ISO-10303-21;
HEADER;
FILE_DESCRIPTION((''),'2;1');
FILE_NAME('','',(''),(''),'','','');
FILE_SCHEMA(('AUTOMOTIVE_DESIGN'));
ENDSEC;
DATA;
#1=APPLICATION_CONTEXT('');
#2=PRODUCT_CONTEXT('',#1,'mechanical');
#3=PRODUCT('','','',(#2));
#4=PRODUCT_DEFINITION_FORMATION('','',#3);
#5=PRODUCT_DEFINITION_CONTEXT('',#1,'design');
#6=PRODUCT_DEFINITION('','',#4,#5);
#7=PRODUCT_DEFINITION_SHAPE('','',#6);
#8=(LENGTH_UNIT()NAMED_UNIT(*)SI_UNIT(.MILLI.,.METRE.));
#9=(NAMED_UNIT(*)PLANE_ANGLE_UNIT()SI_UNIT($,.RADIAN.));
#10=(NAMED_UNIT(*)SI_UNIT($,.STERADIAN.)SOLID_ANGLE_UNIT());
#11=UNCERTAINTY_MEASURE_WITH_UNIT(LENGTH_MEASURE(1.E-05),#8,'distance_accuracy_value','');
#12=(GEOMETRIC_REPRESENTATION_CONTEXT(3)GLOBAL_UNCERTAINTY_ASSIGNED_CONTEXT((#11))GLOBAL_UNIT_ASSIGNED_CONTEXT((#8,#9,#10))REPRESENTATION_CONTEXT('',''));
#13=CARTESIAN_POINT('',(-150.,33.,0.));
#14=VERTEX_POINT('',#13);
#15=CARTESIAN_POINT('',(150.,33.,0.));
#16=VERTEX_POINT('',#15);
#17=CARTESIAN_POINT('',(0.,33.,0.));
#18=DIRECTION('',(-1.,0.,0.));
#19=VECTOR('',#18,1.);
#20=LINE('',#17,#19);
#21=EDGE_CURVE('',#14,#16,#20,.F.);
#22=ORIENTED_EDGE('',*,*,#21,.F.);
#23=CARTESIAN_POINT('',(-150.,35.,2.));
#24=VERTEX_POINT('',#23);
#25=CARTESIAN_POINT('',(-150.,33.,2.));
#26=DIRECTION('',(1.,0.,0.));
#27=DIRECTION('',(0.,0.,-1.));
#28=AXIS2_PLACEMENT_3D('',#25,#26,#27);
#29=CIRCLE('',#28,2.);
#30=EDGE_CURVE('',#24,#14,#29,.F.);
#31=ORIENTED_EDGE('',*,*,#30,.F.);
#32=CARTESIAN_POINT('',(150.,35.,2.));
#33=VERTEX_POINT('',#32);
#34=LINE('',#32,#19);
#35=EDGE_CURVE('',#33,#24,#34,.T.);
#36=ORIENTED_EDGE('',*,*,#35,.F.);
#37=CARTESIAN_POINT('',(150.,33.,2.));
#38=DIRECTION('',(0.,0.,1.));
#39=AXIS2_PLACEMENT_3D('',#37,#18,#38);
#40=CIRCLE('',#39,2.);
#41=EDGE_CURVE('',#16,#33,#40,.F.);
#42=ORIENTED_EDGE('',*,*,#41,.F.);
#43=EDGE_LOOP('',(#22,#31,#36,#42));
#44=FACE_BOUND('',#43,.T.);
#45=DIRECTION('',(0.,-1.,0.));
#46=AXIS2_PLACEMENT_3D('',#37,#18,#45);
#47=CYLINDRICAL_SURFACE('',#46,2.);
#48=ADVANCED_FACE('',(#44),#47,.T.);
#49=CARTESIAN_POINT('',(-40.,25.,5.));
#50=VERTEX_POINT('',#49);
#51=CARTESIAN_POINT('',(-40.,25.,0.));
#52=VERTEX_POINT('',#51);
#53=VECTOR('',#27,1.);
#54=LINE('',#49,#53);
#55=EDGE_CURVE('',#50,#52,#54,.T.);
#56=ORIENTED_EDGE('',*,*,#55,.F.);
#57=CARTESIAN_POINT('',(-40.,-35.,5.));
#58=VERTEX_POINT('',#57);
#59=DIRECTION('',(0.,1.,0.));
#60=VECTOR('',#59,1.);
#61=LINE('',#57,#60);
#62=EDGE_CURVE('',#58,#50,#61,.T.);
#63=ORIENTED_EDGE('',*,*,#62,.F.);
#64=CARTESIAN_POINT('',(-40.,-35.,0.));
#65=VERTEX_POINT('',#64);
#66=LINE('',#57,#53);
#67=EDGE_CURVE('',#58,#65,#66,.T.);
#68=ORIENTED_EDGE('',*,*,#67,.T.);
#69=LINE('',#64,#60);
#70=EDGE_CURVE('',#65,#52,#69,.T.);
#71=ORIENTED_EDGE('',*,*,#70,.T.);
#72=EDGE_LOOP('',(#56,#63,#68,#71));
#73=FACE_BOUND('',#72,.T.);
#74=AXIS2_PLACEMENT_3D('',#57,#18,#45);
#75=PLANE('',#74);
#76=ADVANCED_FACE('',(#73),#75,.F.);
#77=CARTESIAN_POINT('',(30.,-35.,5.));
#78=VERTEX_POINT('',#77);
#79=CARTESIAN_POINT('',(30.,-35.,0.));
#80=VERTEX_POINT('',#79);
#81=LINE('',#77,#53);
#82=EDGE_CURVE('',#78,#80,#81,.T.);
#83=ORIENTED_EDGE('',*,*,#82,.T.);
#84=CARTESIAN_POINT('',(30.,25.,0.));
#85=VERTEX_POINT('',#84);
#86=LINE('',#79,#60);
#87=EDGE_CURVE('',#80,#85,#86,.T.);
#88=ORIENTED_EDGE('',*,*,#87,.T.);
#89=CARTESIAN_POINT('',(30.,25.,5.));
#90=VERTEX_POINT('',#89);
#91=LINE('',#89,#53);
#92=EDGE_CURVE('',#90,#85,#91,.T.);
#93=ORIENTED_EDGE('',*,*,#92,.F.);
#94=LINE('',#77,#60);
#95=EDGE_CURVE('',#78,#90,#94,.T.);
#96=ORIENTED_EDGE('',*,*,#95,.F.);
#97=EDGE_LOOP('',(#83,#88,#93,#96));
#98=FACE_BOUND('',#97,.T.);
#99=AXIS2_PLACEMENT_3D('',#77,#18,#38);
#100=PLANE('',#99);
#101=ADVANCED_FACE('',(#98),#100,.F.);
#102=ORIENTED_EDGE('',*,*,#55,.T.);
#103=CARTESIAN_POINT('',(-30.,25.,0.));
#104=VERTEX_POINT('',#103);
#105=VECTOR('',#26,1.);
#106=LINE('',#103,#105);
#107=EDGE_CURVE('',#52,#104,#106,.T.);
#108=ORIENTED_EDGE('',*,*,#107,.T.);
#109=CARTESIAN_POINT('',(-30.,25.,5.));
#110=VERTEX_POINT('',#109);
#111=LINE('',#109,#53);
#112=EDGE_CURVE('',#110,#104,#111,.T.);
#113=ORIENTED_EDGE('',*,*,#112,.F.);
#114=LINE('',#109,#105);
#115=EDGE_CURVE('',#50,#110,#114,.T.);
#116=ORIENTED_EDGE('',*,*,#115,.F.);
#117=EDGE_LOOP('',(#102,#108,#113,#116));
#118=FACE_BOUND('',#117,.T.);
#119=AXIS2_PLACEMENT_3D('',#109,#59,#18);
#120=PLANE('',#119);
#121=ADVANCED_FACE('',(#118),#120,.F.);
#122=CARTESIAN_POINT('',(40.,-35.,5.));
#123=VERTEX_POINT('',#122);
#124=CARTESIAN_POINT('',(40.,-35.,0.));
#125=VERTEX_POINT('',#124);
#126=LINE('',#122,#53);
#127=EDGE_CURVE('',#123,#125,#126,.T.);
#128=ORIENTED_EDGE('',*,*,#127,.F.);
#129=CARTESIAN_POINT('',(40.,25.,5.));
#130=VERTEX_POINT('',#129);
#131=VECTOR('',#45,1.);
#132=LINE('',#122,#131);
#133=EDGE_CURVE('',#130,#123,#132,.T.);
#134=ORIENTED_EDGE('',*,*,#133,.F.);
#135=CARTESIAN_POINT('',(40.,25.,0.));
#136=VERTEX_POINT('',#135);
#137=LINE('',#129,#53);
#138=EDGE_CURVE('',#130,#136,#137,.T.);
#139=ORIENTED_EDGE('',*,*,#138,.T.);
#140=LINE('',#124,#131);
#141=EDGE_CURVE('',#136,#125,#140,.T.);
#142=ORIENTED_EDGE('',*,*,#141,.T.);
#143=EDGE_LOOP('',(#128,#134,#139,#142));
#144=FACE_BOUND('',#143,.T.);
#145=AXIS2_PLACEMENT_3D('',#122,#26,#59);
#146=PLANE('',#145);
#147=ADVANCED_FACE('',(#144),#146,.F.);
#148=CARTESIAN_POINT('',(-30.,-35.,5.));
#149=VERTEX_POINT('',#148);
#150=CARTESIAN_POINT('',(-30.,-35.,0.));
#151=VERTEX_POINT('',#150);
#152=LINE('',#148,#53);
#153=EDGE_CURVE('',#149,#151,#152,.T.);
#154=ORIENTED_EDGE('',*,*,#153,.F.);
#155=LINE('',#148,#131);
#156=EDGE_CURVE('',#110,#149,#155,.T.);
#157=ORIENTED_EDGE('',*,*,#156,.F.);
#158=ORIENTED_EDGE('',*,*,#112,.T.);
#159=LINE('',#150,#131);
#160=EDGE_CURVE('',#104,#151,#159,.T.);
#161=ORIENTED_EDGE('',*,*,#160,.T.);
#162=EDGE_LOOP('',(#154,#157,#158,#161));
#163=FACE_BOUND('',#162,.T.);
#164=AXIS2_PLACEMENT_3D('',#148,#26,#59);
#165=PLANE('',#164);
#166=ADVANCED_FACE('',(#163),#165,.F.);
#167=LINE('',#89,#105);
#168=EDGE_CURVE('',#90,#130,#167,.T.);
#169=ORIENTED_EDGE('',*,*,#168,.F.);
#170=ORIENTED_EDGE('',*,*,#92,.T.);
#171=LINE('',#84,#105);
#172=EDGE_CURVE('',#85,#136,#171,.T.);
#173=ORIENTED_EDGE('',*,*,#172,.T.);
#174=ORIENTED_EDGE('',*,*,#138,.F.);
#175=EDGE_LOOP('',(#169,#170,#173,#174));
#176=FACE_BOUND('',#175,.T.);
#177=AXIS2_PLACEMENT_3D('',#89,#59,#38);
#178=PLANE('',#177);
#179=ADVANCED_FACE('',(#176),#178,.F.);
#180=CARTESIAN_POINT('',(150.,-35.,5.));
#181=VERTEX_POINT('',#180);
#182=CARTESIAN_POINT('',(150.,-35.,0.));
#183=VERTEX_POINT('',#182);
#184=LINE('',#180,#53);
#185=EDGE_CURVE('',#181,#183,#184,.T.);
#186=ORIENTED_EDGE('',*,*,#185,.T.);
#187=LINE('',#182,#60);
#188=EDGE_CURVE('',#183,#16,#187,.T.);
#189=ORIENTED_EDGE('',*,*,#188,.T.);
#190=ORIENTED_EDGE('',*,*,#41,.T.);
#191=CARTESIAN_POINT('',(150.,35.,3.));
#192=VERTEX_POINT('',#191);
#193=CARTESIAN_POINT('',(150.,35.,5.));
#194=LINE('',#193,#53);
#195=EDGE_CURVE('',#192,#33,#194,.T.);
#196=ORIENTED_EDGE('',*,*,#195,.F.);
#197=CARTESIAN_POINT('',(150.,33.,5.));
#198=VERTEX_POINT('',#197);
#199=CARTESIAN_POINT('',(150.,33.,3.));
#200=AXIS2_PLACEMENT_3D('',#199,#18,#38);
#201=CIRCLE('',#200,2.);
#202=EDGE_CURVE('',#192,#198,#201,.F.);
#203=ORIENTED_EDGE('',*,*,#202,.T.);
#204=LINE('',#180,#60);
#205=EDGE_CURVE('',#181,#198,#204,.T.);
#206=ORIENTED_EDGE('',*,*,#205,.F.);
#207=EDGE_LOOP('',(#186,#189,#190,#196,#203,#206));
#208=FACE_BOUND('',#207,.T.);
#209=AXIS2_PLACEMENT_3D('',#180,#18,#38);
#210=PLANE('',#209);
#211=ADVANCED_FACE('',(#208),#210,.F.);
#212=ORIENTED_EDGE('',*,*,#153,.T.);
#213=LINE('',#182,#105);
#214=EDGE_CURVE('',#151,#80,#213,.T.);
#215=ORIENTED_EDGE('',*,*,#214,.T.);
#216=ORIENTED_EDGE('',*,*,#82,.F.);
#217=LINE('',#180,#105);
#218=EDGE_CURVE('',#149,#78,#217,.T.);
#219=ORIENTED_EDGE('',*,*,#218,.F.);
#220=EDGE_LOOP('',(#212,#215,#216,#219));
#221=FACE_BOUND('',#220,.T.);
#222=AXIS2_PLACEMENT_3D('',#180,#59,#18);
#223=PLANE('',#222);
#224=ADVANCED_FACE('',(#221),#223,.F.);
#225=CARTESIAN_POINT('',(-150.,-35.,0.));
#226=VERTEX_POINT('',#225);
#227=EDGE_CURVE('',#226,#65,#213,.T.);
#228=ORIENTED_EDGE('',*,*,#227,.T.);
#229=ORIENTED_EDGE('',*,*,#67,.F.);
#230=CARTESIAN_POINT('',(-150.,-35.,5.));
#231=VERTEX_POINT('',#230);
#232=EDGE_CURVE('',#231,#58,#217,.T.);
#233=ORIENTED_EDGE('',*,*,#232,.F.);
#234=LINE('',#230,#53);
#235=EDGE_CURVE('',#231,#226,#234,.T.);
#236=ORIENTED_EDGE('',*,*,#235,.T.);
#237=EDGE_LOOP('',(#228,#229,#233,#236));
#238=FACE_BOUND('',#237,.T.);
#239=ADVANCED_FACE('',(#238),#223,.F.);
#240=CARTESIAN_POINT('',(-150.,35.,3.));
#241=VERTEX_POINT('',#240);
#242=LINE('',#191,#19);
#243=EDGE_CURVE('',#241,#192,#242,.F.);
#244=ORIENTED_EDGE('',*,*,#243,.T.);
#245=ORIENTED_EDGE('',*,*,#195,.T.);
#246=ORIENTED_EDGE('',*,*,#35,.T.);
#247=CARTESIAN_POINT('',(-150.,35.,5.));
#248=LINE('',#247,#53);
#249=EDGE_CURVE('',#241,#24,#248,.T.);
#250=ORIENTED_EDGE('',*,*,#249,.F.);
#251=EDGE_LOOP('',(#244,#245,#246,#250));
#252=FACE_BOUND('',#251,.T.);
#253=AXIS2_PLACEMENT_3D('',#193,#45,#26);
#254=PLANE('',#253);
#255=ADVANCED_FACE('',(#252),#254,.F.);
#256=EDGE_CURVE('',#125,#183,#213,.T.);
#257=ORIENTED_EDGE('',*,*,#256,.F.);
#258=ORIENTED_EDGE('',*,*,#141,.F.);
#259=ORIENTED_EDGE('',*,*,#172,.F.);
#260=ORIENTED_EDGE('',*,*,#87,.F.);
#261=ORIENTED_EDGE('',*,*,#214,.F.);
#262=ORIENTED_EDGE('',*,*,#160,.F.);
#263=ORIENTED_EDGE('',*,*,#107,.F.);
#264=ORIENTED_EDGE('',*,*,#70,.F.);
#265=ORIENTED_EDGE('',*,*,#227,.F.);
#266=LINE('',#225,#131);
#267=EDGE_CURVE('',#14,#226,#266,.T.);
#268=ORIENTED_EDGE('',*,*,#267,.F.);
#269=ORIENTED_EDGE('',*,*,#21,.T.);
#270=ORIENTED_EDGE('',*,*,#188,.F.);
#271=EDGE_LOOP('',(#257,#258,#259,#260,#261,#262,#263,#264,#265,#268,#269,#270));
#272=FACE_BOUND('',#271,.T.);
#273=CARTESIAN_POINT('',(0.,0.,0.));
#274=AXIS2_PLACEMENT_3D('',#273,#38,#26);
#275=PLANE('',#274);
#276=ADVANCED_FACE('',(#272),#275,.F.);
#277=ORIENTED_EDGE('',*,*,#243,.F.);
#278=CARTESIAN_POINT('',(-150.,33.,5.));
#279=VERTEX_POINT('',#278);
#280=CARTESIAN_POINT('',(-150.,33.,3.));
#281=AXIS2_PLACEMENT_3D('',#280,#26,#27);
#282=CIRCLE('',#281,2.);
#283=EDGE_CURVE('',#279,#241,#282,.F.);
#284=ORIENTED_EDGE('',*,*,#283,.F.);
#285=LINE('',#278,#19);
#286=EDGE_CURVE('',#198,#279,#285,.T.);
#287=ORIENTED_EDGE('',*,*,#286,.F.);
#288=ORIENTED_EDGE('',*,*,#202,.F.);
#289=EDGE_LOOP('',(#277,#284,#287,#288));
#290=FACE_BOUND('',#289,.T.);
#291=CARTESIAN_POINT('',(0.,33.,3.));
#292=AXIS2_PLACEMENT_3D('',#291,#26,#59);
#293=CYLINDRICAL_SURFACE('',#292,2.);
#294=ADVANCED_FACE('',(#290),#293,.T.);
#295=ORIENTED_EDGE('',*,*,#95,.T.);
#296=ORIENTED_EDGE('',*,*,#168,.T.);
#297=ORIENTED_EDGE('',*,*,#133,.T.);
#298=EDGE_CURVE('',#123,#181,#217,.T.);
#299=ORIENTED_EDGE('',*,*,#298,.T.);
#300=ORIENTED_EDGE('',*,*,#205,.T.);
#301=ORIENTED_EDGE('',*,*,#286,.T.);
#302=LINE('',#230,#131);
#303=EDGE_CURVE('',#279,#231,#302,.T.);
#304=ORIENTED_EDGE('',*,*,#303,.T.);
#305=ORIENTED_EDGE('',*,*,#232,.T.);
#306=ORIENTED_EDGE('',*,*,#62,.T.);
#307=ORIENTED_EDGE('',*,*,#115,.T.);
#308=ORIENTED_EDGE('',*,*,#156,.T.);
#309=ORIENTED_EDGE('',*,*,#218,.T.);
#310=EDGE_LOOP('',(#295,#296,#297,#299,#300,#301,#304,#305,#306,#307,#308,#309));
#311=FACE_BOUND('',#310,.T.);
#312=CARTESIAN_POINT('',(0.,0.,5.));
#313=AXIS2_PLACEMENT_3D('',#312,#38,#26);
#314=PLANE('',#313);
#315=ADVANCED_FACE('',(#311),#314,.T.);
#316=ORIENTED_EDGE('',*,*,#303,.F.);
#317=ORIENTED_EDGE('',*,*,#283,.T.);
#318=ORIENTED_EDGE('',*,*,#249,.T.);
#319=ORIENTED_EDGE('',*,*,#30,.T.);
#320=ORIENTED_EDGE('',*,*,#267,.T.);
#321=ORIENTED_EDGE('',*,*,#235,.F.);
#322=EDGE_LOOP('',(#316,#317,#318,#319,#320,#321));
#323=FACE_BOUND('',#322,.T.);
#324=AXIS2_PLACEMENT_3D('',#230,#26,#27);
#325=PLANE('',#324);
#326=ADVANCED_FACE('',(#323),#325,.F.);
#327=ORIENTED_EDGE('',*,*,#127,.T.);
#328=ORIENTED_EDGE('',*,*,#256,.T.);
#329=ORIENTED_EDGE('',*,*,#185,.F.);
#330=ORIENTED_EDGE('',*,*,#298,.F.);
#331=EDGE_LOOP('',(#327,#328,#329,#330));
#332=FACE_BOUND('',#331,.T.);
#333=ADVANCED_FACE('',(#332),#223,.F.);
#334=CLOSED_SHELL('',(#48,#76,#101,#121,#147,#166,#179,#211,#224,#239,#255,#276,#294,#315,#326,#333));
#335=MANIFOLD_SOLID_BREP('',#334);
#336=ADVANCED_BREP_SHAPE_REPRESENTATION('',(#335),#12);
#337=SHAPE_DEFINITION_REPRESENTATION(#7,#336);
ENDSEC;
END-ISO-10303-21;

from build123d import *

# Parameters (mm, degrees)
ESQUISSE1_W             = 300
ESQUISSE1_H             = 70
BOSS_EXTRU_1_DEPTH      = 5
CONG_2_R                = 2
CONG_3_R                = 2
ESQUISSE2_W             = 10
ESQUISSE2_H             = 60
ENL_V_MAT_EXTRU_1_DEPTH = 155.110350074


with BuildPart() as part:
    # Esquisse1 → Boss.-Extru.1 (new body)
    with BuildSketch(Plane.XY):
        Rectangle(ESQUISSE1_W, ESQUISSE1_H)
    extrude(amount=BOSS_EXTRU_1_DEPTH)

    # Congé2
    cong_2_edges = [part.edges().sort_by_distance(p)[0] for p in [
        (0, 35, 0),
    ]]
    fillet(cong_2_edges, radius=CONG_2_R)

    # Congé3
    cong_3_edges = [part.edges().sort_by_distance(p)[0] for p in [
        (0, 35, 5),
    ]]
    fillet(cong_3_edges, radius=CONG_3_R)

    # Esquisse2 → Enlèv. mat.-Extru.1 (cut, through all)
    with BuildSketch(Plane(origin=(0, 0, 0), x_dir=(-1, 0, 0), z_dir=(0, 0, -1))):
        with Locations((-35, -5)):
            Rectangle(ESQUISSE2_W, ESQUISSE2_H)
        with Locations((35, -5)):
            Rectangle(ESQUISSE2_W, ESQUISSE2_H)
    extrude(amount=-ENL_V_MAT_EXTRU_1_DEPTH, mode=Mode.SUBTRACT)


solid = part.part
